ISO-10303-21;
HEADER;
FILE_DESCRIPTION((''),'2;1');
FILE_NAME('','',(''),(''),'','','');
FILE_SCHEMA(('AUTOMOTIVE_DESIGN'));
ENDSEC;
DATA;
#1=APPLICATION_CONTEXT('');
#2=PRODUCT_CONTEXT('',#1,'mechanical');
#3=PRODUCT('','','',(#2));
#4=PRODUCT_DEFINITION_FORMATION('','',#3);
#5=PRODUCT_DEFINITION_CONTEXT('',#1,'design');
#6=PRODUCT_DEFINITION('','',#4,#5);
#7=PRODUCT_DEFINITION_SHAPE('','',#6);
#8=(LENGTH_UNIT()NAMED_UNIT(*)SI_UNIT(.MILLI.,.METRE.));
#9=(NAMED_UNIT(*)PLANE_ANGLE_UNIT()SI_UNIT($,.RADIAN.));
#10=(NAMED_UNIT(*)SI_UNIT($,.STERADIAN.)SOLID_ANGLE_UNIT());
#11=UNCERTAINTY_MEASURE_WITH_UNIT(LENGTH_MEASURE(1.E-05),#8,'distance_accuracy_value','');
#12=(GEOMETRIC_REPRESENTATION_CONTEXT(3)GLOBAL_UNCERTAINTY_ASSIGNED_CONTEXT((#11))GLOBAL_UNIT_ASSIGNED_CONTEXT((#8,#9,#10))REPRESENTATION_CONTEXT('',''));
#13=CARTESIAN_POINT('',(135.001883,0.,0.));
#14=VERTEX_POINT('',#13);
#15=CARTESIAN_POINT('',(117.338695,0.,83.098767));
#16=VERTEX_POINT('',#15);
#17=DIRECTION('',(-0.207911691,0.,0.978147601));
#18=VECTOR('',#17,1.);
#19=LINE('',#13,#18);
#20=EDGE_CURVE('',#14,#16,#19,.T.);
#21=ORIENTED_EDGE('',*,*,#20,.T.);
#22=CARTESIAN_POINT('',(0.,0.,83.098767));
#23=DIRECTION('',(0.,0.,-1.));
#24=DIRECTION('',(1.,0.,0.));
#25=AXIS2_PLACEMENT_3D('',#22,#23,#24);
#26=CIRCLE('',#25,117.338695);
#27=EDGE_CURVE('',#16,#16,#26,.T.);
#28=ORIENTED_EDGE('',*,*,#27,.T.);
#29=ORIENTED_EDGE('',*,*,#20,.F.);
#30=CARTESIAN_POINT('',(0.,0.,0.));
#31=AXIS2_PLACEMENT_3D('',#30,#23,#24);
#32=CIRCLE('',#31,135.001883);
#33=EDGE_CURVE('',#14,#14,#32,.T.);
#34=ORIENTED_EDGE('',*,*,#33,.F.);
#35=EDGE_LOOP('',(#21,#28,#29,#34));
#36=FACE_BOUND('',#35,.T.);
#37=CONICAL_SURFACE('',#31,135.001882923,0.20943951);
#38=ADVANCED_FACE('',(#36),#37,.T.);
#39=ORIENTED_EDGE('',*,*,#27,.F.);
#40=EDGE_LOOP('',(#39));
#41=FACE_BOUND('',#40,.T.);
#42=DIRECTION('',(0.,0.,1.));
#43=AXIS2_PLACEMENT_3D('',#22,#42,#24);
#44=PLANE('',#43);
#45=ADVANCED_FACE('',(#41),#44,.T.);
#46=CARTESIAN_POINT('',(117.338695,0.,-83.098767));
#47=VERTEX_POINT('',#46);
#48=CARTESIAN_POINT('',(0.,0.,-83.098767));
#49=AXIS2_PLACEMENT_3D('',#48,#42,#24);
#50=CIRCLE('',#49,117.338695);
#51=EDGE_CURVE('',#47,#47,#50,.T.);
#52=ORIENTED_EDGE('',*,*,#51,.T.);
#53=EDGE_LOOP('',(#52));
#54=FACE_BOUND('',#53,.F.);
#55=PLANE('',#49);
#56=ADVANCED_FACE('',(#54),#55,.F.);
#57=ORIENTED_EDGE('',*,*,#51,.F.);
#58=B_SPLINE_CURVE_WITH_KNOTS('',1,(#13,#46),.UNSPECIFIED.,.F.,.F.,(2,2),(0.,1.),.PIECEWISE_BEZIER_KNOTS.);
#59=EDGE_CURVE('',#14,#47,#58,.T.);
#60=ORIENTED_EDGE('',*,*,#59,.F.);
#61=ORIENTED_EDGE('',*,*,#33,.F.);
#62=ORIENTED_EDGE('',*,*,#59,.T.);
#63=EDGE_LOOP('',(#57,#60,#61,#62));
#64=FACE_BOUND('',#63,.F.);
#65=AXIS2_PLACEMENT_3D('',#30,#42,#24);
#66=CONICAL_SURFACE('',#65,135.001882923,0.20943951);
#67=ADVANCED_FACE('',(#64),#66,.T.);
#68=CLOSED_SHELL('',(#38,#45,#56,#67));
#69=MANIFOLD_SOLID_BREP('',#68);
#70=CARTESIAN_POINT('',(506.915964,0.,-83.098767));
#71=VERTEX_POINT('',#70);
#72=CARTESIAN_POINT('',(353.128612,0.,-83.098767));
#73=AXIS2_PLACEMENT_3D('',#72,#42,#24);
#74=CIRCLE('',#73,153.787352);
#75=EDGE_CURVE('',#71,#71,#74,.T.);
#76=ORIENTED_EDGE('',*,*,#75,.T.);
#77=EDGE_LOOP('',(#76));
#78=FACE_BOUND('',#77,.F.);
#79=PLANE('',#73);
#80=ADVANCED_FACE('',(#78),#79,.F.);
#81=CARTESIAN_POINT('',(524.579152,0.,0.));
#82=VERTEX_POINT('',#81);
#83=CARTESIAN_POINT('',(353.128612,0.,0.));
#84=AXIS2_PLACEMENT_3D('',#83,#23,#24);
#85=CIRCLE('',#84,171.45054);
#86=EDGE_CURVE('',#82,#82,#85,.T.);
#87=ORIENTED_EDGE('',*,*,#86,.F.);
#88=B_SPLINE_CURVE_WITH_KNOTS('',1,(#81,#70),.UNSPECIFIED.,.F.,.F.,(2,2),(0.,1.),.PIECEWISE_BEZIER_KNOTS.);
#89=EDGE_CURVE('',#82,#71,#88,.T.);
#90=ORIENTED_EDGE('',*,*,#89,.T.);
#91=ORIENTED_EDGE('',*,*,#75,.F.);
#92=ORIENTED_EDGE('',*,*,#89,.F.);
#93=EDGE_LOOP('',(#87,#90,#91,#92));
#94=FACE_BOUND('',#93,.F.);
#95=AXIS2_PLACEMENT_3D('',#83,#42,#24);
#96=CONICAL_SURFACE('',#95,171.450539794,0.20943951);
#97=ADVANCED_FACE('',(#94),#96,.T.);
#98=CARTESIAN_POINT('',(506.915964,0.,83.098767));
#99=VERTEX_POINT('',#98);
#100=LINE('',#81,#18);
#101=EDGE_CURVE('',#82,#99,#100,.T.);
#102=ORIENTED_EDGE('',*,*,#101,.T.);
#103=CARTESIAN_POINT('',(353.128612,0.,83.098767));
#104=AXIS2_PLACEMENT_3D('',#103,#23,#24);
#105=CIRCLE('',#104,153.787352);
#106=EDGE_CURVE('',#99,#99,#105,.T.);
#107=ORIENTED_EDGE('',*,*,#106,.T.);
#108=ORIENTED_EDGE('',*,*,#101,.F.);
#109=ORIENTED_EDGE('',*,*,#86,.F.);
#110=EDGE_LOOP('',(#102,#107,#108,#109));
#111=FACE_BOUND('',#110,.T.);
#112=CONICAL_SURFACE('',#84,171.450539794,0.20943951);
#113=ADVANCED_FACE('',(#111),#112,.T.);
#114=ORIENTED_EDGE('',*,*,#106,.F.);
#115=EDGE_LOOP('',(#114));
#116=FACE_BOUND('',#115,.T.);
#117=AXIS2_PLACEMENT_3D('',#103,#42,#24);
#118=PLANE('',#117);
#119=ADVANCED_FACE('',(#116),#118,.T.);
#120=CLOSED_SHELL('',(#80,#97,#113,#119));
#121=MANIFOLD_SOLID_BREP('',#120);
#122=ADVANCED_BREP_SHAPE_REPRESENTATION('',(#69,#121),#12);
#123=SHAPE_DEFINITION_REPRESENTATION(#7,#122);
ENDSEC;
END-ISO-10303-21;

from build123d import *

# Parameters (mm, degrees)
F0_R     = 135.0018829226
F1_DEPTH = 83.098767
F1_TAPER = 12
F0_R_2   = 171.4505397935


with BuildPart() as f1:
    # F0 (on Top) → F1 (new body, symmetric)
    with BuildSketch(Plane.XY):
        Circle(F0_R)
    extrude(amount=F1_DEPTH, both=True, taper=F1_TAPER)


with BuildPart() as f1b:
    # F0 (on Top) → F1, piece 2 (new body, symmetric)
    with BuildSketch(Plane.XY):
        with Locations((353.1286120415, 0)):
            Circle(F0_R_2)
    extrude(amount=F1_DEPTH, both=True, taper=F1_TAPER)


solid = Compound([f1.part, f1b.part])
